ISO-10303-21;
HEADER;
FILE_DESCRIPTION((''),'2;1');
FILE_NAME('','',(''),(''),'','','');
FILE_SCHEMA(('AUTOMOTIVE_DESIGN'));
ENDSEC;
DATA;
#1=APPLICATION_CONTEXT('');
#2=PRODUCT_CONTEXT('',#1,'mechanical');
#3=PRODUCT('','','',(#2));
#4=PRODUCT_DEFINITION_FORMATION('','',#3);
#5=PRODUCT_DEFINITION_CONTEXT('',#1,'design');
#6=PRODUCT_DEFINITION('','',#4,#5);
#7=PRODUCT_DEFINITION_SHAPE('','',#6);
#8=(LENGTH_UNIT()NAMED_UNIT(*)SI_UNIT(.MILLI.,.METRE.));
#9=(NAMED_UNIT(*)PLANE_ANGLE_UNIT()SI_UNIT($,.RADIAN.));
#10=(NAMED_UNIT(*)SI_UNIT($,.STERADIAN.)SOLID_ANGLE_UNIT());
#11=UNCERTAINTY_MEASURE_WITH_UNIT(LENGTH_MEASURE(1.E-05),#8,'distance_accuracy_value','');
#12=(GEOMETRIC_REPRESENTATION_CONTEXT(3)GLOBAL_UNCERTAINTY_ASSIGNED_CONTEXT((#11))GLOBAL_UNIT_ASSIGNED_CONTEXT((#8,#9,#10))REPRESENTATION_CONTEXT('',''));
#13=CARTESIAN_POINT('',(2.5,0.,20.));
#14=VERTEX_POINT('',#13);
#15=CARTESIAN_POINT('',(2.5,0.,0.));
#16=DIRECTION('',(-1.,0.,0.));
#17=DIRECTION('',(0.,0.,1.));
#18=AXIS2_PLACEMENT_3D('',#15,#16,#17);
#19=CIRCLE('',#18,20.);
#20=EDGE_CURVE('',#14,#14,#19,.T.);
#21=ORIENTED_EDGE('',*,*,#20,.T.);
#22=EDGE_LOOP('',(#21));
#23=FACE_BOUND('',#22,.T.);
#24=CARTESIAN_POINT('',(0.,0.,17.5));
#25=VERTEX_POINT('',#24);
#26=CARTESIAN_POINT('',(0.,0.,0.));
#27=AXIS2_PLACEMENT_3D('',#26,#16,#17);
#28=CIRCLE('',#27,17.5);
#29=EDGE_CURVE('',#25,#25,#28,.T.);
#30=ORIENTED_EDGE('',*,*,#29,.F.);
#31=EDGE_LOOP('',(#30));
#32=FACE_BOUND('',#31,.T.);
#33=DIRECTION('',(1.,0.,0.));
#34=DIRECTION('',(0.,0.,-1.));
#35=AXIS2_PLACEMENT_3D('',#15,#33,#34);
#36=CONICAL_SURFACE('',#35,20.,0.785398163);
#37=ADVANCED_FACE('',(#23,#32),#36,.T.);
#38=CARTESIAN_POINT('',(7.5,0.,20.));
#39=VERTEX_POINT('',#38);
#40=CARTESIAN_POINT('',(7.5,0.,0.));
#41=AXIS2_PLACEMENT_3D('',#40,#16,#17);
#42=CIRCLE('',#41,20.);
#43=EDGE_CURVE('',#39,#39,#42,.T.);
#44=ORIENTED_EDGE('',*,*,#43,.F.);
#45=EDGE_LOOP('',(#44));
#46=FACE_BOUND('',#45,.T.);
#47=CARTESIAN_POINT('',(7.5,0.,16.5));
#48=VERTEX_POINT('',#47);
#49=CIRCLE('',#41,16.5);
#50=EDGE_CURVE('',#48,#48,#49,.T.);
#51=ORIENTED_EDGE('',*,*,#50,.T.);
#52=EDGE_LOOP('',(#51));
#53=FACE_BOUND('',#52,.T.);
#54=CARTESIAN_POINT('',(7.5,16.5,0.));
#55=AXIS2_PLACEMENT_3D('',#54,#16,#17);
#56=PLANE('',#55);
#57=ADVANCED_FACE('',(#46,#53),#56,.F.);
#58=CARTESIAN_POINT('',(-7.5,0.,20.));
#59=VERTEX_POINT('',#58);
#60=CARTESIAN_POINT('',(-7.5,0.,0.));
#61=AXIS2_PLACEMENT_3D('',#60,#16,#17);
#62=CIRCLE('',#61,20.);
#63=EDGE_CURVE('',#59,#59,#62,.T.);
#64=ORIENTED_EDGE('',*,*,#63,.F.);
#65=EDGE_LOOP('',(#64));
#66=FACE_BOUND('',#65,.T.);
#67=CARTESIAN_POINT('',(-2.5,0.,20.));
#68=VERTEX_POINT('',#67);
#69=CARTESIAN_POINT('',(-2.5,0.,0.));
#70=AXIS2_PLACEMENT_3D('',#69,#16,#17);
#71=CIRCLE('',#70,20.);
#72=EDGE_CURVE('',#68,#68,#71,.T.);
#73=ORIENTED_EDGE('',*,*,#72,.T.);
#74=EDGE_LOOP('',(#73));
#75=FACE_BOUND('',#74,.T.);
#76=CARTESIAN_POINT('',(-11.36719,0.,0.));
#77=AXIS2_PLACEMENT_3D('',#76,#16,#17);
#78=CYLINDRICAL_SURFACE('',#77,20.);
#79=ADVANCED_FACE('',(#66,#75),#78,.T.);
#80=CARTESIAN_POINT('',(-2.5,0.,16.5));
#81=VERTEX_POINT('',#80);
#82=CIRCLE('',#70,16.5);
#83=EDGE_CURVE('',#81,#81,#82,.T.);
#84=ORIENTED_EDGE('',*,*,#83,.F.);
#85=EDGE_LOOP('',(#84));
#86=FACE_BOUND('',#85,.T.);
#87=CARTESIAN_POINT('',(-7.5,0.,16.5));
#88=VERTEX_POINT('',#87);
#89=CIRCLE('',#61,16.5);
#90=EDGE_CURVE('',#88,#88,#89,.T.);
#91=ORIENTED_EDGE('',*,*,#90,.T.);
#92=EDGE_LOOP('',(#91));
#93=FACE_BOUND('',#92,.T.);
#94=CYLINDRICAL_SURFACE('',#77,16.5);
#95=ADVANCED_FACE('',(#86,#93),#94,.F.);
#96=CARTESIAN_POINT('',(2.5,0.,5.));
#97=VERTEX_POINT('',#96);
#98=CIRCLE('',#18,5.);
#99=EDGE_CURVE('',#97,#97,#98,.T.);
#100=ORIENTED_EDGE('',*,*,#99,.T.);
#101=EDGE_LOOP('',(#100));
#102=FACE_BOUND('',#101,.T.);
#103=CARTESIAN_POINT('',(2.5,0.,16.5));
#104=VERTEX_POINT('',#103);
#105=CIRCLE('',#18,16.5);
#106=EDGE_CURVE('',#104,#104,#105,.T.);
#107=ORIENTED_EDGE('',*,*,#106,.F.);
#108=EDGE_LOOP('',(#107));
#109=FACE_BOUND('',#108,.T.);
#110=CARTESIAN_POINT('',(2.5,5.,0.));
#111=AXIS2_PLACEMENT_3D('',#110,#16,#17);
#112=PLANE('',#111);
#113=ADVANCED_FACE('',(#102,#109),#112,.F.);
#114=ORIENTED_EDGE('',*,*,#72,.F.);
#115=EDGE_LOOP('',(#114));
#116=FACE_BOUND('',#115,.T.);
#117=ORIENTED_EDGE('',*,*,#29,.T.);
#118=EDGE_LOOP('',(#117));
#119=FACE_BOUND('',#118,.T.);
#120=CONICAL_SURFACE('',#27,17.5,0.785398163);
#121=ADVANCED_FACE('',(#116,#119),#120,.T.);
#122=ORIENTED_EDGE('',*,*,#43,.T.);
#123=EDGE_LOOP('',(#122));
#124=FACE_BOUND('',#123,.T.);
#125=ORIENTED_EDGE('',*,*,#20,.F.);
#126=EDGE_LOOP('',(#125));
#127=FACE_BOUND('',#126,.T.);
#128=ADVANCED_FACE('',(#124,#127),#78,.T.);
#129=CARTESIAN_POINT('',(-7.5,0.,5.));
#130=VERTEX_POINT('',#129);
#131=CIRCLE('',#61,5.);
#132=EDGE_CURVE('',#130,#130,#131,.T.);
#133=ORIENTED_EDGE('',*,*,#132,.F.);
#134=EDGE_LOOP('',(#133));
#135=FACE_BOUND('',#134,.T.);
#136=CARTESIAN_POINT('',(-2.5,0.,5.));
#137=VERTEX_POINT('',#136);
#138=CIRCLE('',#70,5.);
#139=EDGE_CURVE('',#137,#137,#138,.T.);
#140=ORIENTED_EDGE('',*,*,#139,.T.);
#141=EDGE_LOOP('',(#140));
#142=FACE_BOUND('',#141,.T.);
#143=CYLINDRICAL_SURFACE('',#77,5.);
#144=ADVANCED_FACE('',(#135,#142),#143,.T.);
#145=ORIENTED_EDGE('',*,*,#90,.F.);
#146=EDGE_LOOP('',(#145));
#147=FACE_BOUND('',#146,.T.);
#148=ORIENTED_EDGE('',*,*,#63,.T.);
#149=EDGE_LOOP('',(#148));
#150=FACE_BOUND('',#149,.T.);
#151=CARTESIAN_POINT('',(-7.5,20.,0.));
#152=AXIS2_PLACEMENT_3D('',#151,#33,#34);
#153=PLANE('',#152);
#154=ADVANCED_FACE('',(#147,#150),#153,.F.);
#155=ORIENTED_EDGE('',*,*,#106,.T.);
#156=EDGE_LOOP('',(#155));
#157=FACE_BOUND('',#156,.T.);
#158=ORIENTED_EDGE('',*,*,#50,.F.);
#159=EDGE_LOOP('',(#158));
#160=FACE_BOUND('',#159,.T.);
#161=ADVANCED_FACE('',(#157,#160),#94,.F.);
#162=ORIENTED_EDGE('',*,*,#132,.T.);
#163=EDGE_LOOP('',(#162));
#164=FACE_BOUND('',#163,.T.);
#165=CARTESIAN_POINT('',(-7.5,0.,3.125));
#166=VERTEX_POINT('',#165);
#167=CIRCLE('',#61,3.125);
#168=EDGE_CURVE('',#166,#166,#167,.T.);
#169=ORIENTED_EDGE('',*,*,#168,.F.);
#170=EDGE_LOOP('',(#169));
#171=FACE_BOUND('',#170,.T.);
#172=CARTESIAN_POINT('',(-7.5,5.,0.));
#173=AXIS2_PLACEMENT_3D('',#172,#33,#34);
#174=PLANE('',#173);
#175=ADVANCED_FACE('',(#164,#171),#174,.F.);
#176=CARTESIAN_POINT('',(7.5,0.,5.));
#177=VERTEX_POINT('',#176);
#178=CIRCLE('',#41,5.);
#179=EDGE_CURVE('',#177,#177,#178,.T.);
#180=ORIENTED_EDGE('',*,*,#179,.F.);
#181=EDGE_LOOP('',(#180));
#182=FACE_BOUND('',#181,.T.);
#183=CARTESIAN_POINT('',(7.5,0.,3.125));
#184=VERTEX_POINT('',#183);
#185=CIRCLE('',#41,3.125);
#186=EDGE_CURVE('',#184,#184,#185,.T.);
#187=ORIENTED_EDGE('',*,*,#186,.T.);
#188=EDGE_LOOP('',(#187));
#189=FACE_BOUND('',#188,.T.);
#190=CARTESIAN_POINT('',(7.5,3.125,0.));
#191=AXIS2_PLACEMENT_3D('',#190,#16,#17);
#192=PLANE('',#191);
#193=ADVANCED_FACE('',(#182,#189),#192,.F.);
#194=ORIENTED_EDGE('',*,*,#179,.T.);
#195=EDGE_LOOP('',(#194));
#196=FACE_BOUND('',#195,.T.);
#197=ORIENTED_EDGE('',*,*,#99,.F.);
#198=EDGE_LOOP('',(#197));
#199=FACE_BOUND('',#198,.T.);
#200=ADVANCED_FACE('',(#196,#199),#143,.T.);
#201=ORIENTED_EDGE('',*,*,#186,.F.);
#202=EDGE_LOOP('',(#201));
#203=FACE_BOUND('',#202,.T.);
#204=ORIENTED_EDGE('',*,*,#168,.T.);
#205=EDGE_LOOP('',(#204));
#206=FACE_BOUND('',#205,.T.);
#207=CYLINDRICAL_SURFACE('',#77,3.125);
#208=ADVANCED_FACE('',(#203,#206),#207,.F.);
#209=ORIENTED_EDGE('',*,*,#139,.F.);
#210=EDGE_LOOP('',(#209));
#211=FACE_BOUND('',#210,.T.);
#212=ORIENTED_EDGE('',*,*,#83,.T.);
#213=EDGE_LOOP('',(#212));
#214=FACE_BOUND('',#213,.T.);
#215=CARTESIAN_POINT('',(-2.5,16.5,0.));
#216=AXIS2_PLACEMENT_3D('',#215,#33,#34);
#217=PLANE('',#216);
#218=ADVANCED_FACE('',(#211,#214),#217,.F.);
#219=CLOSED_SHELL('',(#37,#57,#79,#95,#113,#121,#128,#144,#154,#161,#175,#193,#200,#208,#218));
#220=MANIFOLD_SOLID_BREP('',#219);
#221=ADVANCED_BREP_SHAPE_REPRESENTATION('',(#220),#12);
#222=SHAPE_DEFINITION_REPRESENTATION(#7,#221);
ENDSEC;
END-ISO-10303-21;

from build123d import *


with BuildPart() as part:
    # Sketch2 → Revolve2 (revolve)
    with BuildSketch(Plane.XY, mode=Mode.PRIVATE) as revolve2_sk:
        Polygon((-7.5, 3.125), (7.5, 3.125), (7.5, 5), (2.5, 5), (2.5, 16.5), (7.5, 16.5), (7.5, 20), (2.5, 20), (0, 17.5), (-2.5, 20), (-7.5, 20), (-7.5, 16.5), (-2.5, 16.5), (-2.5, 5), (-7.5, 5), align=None)
    revolve(revolve2_sk.sketch.rotate(Axis((-11.367190272, 0, 0), (1, 0, 0)), 90), axis=Axis((-11.367190272, 0, 0), (1, 0, 0)))


solid = part.part
